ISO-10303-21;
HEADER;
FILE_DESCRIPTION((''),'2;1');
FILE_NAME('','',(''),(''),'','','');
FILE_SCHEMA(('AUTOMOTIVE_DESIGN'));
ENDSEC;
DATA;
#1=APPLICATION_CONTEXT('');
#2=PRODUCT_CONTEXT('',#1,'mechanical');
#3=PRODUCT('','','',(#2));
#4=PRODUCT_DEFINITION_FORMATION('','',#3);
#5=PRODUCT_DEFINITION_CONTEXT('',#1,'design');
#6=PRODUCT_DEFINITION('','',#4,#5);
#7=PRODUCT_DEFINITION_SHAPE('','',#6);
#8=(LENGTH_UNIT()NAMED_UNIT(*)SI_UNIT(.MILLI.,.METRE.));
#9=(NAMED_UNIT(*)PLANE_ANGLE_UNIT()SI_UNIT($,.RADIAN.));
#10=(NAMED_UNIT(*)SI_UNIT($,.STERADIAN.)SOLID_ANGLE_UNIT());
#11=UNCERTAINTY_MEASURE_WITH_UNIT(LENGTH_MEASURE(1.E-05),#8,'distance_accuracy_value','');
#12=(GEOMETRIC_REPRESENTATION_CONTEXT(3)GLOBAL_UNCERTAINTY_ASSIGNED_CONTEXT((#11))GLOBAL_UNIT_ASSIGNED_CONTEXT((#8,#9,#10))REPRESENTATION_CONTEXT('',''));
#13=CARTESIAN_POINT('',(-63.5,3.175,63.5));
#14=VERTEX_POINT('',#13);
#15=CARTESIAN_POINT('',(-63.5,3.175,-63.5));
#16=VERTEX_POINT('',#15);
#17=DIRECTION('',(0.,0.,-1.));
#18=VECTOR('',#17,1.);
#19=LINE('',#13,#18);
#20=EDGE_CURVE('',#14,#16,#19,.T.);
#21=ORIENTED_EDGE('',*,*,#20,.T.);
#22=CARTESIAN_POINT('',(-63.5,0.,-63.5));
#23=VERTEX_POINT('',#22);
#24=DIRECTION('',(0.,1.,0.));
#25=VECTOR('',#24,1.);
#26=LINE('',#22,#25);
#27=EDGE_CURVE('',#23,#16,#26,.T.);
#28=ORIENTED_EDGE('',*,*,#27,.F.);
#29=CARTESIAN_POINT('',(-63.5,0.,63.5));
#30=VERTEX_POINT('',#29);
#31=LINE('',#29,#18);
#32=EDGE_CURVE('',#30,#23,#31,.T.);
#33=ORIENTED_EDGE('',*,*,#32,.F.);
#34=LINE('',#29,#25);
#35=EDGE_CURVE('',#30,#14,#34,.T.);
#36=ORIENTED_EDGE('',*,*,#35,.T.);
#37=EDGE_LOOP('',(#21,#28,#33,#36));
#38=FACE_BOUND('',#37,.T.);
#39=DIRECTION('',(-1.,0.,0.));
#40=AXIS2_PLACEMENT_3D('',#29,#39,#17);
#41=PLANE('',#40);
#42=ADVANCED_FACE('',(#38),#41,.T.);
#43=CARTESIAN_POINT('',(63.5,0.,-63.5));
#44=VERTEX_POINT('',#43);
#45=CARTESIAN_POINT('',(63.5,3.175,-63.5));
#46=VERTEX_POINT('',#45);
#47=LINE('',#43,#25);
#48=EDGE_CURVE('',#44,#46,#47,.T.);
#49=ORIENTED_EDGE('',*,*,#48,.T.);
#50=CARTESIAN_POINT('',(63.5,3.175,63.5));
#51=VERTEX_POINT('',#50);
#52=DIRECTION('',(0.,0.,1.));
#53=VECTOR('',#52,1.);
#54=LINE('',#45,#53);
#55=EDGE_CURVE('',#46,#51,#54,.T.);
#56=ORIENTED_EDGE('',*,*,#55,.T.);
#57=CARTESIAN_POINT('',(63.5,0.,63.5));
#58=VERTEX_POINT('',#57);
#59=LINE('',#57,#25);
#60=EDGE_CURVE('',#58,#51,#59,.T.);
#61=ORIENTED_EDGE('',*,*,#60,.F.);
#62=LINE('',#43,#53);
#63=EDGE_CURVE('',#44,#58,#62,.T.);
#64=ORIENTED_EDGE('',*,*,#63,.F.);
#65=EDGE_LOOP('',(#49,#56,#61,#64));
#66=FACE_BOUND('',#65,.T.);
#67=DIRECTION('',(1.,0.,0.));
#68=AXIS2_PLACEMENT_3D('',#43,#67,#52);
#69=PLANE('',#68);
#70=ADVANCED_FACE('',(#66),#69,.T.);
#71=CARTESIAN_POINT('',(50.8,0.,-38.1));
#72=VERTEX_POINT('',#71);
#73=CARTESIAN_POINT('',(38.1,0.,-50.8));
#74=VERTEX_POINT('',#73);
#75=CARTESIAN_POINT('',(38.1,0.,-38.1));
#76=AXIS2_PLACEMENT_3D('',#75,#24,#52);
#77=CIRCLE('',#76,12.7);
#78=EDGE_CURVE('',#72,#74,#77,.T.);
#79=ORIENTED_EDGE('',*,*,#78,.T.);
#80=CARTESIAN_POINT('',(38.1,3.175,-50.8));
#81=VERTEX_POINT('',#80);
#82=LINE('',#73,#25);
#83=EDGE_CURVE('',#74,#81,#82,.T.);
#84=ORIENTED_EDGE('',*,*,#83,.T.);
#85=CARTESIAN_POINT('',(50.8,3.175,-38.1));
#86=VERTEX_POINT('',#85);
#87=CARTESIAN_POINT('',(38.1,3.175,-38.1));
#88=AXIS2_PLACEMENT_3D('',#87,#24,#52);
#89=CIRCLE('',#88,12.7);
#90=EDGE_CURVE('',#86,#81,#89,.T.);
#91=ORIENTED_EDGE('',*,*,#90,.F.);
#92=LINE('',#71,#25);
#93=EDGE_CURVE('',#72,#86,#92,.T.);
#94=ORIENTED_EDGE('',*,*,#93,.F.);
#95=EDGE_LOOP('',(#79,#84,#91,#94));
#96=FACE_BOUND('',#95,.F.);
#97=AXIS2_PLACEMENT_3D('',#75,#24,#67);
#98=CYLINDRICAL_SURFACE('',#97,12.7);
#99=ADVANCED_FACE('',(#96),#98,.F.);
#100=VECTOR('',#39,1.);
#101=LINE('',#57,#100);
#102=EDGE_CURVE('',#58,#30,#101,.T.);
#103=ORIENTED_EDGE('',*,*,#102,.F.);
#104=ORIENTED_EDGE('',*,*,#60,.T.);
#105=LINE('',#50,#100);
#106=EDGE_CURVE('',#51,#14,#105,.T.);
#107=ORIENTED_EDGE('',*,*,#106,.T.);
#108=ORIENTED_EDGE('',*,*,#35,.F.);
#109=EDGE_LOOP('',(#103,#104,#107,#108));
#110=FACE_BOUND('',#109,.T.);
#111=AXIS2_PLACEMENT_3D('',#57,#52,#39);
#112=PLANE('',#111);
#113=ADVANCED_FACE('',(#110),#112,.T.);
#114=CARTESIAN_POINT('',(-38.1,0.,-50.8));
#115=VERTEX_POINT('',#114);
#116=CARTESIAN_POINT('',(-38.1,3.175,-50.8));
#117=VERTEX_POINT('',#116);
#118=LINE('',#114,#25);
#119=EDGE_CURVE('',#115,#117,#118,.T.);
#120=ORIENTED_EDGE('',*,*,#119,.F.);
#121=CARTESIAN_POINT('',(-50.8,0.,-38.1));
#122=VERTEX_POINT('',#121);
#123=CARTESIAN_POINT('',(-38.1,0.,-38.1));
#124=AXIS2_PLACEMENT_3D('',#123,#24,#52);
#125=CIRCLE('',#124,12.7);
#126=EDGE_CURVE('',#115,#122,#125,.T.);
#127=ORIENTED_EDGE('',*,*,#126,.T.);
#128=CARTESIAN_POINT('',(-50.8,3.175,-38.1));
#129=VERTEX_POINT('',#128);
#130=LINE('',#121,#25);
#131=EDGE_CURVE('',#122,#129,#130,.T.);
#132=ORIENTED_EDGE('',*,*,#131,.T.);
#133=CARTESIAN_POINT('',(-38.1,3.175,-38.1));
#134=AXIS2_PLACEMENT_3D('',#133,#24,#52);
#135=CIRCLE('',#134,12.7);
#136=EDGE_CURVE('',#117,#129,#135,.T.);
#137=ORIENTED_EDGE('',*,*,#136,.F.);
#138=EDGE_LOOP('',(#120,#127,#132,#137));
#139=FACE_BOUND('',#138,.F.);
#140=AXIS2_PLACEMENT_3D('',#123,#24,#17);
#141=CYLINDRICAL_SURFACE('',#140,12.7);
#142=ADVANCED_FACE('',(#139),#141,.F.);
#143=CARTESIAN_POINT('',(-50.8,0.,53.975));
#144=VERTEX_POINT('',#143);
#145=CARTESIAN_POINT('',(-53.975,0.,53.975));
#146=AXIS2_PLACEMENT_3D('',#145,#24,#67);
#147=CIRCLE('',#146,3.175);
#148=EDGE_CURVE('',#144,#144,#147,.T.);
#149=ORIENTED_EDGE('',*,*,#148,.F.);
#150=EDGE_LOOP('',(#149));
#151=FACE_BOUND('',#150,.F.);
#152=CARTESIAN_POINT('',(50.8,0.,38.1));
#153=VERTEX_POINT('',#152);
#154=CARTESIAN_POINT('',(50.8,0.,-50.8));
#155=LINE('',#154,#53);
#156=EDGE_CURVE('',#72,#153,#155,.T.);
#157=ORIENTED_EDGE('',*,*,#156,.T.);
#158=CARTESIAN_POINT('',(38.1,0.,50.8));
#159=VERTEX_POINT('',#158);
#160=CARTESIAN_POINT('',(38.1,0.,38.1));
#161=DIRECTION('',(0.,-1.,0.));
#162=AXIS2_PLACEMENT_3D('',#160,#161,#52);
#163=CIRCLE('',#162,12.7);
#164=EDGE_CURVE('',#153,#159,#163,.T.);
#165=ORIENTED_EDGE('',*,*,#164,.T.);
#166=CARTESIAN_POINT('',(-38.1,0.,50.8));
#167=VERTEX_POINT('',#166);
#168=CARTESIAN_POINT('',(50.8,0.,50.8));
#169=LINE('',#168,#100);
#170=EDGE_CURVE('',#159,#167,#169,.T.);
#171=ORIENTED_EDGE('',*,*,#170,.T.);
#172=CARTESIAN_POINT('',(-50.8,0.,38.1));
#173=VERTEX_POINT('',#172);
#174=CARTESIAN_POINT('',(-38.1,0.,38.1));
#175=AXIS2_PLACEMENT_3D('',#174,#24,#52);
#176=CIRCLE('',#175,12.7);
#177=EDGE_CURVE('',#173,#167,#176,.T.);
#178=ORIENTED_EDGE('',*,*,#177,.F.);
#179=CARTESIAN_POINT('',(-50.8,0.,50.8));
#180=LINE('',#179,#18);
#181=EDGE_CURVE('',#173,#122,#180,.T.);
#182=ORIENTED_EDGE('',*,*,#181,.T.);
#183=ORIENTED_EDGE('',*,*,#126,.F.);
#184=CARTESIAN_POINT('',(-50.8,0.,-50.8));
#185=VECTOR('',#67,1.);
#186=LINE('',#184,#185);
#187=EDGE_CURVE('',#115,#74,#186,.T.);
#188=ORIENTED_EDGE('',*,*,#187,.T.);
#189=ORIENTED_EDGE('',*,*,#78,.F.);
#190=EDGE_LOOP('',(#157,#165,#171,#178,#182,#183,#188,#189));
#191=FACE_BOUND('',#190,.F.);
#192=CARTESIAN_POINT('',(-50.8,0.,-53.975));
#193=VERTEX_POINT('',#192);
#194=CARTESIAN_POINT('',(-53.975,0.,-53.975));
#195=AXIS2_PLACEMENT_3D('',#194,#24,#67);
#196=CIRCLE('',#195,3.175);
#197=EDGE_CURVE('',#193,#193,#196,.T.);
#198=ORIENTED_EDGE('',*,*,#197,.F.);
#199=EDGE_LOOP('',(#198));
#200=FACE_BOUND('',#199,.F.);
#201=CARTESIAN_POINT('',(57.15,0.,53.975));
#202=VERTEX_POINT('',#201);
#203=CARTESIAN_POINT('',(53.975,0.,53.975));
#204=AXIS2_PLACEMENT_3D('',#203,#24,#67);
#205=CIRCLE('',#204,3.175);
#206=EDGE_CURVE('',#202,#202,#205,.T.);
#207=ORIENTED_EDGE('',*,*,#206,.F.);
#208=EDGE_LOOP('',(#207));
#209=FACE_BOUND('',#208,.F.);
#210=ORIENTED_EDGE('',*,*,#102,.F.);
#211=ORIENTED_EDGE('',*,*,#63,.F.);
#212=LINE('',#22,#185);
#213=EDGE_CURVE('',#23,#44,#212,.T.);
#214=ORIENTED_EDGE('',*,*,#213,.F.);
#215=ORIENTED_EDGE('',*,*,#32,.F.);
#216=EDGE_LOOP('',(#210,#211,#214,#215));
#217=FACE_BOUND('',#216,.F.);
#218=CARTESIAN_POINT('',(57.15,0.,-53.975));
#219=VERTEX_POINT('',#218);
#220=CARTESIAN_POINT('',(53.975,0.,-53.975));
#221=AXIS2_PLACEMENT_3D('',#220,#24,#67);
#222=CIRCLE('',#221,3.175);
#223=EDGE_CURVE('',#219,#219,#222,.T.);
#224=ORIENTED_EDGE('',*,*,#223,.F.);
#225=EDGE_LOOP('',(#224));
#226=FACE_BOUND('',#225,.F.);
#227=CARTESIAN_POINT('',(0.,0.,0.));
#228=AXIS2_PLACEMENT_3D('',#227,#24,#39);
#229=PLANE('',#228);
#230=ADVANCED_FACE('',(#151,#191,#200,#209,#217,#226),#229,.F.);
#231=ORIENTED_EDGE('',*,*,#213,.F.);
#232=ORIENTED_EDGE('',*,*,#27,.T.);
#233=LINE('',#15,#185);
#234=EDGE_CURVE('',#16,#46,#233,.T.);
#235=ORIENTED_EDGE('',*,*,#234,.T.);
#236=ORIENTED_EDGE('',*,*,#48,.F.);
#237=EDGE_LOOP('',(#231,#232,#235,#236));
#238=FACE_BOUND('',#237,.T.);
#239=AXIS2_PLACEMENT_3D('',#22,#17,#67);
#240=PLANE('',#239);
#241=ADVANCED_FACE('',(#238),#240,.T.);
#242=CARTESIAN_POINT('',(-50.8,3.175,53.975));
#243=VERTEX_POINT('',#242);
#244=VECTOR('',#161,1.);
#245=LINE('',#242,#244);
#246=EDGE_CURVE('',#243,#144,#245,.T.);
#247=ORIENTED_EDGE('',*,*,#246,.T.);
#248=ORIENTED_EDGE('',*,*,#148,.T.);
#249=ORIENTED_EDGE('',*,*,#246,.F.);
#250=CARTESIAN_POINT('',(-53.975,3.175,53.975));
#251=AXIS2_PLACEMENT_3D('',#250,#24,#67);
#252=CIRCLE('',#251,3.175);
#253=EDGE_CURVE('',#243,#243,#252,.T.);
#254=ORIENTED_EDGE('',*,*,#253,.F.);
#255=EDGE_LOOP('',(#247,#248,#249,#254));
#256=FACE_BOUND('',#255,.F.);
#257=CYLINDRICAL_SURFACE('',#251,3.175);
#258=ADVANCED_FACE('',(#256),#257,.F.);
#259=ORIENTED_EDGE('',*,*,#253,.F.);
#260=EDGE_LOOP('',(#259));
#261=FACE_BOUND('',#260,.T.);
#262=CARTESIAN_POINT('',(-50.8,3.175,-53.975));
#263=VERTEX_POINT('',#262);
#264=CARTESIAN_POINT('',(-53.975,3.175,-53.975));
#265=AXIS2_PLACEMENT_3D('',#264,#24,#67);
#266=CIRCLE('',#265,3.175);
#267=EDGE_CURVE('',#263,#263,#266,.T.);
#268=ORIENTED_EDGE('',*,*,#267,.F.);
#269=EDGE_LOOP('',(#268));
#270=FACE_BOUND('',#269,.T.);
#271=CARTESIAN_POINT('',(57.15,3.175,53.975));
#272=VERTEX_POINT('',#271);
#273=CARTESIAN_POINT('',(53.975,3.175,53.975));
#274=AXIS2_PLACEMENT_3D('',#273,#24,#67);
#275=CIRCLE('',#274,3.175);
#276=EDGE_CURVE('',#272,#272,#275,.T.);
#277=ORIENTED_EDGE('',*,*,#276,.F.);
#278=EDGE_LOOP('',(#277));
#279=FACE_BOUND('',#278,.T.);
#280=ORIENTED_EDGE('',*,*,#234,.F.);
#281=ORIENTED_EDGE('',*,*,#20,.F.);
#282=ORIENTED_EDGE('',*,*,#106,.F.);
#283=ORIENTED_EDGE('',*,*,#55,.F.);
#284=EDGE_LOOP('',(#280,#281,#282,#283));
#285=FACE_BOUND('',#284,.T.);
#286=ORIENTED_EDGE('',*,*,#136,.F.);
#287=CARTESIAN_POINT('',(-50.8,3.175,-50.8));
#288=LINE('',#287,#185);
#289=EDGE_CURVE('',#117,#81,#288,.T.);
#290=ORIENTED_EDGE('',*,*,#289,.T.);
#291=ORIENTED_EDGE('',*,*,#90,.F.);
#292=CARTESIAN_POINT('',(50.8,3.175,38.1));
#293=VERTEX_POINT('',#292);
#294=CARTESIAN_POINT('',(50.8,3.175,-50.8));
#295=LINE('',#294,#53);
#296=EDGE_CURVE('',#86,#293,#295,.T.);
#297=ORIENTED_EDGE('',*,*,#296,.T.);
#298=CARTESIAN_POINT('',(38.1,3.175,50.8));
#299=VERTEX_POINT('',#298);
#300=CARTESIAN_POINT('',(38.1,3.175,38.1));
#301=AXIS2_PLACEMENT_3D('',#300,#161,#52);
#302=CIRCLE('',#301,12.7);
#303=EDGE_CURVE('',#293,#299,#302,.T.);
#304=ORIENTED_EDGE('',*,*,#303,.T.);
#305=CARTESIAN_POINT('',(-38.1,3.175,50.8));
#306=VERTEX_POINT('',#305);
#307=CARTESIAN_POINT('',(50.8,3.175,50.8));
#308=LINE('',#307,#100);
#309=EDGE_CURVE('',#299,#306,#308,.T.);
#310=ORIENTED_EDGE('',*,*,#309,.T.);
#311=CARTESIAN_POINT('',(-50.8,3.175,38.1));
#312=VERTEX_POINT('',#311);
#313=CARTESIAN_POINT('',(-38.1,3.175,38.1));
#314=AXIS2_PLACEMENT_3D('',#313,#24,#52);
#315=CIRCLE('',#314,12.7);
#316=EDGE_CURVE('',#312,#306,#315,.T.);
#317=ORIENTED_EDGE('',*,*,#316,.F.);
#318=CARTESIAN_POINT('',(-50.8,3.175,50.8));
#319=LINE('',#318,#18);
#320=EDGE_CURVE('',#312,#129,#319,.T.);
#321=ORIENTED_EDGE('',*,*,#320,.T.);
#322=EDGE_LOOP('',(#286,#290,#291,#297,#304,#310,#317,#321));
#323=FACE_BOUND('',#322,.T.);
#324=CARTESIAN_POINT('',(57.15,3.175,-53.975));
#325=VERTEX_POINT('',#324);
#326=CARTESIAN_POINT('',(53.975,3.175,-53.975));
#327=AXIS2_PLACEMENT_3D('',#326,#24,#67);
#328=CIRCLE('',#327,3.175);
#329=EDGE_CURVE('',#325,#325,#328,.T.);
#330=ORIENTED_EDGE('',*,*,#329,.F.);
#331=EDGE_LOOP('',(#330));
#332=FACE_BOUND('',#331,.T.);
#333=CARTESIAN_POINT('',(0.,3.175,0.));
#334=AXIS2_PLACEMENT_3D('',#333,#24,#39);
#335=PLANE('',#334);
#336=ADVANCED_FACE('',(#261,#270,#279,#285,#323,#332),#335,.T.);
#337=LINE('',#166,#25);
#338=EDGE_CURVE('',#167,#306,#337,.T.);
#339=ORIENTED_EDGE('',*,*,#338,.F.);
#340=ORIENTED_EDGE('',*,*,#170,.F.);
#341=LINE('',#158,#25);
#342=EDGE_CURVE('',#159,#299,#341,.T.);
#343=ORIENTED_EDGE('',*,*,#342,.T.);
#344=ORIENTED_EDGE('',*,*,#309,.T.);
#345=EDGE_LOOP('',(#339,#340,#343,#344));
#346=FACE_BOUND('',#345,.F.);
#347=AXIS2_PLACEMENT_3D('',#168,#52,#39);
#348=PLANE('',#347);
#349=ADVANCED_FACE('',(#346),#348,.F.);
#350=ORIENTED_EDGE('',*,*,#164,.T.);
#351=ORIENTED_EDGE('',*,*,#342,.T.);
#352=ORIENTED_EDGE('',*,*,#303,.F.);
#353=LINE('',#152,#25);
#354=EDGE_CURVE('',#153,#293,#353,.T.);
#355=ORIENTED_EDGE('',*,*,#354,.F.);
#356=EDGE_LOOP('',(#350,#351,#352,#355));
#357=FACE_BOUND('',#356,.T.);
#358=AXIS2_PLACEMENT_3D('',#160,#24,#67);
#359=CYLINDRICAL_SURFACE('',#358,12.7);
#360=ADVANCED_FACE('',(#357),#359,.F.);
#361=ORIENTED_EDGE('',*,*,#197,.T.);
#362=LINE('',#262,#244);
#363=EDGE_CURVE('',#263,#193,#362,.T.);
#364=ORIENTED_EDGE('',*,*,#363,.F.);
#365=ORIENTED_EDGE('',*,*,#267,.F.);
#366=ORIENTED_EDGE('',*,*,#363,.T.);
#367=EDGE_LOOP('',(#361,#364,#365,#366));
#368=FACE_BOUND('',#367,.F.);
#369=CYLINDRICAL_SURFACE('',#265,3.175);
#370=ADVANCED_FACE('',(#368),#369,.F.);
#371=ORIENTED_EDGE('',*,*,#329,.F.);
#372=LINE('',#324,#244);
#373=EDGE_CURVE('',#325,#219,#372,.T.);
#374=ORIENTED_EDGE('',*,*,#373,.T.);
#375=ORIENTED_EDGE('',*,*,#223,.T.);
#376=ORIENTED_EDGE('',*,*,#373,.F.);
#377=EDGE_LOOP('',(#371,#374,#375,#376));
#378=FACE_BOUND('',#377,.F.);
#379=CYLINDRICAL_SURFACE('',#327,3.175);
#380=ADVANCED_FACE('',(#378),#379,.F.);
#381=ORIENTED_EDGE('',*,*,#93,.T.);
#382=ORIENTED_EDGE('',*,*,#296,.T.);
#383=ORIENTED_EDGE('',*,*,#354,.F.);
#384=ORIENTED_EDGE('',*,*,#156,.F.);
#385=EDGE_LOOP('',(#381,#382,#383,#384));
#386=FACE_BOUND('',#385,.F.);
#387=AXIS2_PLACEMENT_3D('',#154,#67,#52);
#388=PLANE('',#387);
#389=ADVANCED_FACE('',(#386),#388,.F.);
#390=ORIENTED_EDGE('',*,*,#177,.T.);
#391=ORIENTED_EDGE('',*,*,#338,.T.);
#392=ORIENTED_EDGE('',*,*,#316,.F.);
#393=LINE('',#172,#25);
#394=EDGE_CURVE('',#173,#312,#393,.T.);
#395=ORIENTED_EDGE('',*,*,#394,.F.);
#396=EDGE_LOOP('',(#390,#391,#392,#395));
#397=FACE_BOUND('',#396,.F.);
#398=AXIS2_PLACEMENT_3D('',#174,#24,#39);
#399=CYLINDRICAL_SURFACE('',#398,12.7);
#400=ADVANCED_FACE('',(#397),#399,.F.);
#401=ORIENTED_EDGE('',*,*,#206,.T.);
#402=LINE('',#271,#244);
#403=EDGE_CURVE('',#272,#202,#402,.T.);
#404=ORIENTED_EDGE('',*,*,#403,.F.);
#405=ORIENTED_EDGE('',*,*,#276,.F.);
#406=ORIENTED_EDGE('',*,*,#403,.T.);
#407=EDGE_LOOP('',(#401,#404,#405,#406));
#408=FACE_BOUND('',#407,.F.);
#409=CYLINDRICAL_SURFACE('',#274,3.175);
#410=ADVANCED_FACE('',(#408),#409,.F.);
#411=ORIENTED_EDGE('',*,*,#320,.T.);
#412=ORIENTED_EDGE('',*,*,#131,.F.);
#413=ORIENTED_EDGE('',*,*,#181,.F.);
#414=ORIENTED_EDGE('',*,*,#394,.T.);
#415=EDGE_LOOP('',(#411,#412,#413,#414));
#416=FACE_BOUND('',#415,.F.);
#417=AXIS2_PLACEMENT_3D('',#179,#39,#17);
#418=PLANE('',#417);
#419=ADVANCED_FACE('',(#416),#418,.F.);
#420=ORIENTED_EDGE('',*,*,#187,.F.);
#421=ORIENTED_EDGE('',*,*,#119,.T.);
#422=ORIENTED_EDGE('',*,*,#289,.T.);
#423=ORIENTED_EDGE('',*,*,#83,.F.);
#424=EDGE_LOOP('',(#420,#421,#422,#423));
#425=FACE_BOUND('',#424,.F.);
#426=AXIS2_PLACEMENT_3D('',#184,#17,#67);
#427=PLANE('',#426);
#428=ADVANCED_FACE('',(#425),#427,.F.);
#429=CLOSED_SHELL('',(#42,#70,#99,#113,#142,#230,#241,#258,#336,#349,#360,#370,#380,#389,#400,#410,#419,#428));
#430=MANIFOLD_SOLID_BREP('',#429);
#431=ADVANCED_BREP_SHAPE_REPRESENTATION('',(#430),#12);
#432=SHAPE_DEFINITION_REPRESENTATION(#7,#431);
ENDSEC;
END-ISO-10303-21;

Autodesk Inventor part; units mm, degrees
ref_plane "YZ Plane" through (0, 0, 0) normal (1, 0, 0) x (0, 1, 0)
ref_plane "XZ Plane" through (0, 0, 0) normal (0, 1, 0) x (-1, 0, 0)
ref_plane "XY Plane" through (0, 0, 0) normal (0, 0, 1) x (1, 0, 0)
sketch "Sketch1" plane through (0, 0, 0) normal (0, 1, 0) x (-1, 0, 0)
  line L0 (-63.5, 63.5) -> (63.5, 63.5)
  line L1 (63.5, 63.5) -> (63.5, -63.5)
  line L2 (63.5, -63.5) -> (-63.5, -63.5)
  line L3 (-63.5, -63.5) -> (-63.5, 63.5)
  line L4 (-50.8, 50.8) -> (50.8, 50.8)
  line L5 (50.8, 50.8) -> (50.8, -50.8)
  line L6 (50.8, -50.8) -> (-50.8, -50.8)
  line L7 (-50.8, -50.8) -> (-50.8, 50.8)
  point P0 (0, 0)
  dimension "d0" = 127
  dimension "d1" = 127
  dimension "d2" = 63.5
  dimension "d3" = 63.5
  dimension "d4" = 50.8
  dimension "d5" = 50.8
  dimension "d6" = 101.6
  dimension "d7" = 101.6
extrude "Extrusion1" add sketch "Sketch1" along normal blind 3.175
fillet "Fillet1" radius 12.7 4 edges at (-50.8, 1.5875, -50.8) (-50.8, 1.5875, 50.8) (50.8, 1.5875, -50.8) (50.8, 1.5875, 50.8)
sketch "Sketch2" plane through (0, 3.175, 0) normal (0, 1, 0) x (1, 0, 0)
  line L0 (63.5, 63.5) -> (-63.5, 63.5) projected
  line L1 (-63.5, 63.5) -> (-63.5, -63.5) projected
  circle A0 centre (-53.975, 53.975) radius 3.175
  circle A1 centre (53.975, 53.975) radius 3.175
  circle A2 centre (-53.975, -53.975) radius 3.175
  circle A3 centre (53.975, -53.975) radius 3.175
  point P0 (0, 0)
  dimension "d11" = 6.35
  dimension "d12" = 9.525
  dimension "d13" = 9.525
  dimension "d16" = 107.95
  dimension "d19" = 107.95
extrude "Extrusion2" cut sketch "Sketch2" against normal blind 3.175
properties part number "case1_space"
